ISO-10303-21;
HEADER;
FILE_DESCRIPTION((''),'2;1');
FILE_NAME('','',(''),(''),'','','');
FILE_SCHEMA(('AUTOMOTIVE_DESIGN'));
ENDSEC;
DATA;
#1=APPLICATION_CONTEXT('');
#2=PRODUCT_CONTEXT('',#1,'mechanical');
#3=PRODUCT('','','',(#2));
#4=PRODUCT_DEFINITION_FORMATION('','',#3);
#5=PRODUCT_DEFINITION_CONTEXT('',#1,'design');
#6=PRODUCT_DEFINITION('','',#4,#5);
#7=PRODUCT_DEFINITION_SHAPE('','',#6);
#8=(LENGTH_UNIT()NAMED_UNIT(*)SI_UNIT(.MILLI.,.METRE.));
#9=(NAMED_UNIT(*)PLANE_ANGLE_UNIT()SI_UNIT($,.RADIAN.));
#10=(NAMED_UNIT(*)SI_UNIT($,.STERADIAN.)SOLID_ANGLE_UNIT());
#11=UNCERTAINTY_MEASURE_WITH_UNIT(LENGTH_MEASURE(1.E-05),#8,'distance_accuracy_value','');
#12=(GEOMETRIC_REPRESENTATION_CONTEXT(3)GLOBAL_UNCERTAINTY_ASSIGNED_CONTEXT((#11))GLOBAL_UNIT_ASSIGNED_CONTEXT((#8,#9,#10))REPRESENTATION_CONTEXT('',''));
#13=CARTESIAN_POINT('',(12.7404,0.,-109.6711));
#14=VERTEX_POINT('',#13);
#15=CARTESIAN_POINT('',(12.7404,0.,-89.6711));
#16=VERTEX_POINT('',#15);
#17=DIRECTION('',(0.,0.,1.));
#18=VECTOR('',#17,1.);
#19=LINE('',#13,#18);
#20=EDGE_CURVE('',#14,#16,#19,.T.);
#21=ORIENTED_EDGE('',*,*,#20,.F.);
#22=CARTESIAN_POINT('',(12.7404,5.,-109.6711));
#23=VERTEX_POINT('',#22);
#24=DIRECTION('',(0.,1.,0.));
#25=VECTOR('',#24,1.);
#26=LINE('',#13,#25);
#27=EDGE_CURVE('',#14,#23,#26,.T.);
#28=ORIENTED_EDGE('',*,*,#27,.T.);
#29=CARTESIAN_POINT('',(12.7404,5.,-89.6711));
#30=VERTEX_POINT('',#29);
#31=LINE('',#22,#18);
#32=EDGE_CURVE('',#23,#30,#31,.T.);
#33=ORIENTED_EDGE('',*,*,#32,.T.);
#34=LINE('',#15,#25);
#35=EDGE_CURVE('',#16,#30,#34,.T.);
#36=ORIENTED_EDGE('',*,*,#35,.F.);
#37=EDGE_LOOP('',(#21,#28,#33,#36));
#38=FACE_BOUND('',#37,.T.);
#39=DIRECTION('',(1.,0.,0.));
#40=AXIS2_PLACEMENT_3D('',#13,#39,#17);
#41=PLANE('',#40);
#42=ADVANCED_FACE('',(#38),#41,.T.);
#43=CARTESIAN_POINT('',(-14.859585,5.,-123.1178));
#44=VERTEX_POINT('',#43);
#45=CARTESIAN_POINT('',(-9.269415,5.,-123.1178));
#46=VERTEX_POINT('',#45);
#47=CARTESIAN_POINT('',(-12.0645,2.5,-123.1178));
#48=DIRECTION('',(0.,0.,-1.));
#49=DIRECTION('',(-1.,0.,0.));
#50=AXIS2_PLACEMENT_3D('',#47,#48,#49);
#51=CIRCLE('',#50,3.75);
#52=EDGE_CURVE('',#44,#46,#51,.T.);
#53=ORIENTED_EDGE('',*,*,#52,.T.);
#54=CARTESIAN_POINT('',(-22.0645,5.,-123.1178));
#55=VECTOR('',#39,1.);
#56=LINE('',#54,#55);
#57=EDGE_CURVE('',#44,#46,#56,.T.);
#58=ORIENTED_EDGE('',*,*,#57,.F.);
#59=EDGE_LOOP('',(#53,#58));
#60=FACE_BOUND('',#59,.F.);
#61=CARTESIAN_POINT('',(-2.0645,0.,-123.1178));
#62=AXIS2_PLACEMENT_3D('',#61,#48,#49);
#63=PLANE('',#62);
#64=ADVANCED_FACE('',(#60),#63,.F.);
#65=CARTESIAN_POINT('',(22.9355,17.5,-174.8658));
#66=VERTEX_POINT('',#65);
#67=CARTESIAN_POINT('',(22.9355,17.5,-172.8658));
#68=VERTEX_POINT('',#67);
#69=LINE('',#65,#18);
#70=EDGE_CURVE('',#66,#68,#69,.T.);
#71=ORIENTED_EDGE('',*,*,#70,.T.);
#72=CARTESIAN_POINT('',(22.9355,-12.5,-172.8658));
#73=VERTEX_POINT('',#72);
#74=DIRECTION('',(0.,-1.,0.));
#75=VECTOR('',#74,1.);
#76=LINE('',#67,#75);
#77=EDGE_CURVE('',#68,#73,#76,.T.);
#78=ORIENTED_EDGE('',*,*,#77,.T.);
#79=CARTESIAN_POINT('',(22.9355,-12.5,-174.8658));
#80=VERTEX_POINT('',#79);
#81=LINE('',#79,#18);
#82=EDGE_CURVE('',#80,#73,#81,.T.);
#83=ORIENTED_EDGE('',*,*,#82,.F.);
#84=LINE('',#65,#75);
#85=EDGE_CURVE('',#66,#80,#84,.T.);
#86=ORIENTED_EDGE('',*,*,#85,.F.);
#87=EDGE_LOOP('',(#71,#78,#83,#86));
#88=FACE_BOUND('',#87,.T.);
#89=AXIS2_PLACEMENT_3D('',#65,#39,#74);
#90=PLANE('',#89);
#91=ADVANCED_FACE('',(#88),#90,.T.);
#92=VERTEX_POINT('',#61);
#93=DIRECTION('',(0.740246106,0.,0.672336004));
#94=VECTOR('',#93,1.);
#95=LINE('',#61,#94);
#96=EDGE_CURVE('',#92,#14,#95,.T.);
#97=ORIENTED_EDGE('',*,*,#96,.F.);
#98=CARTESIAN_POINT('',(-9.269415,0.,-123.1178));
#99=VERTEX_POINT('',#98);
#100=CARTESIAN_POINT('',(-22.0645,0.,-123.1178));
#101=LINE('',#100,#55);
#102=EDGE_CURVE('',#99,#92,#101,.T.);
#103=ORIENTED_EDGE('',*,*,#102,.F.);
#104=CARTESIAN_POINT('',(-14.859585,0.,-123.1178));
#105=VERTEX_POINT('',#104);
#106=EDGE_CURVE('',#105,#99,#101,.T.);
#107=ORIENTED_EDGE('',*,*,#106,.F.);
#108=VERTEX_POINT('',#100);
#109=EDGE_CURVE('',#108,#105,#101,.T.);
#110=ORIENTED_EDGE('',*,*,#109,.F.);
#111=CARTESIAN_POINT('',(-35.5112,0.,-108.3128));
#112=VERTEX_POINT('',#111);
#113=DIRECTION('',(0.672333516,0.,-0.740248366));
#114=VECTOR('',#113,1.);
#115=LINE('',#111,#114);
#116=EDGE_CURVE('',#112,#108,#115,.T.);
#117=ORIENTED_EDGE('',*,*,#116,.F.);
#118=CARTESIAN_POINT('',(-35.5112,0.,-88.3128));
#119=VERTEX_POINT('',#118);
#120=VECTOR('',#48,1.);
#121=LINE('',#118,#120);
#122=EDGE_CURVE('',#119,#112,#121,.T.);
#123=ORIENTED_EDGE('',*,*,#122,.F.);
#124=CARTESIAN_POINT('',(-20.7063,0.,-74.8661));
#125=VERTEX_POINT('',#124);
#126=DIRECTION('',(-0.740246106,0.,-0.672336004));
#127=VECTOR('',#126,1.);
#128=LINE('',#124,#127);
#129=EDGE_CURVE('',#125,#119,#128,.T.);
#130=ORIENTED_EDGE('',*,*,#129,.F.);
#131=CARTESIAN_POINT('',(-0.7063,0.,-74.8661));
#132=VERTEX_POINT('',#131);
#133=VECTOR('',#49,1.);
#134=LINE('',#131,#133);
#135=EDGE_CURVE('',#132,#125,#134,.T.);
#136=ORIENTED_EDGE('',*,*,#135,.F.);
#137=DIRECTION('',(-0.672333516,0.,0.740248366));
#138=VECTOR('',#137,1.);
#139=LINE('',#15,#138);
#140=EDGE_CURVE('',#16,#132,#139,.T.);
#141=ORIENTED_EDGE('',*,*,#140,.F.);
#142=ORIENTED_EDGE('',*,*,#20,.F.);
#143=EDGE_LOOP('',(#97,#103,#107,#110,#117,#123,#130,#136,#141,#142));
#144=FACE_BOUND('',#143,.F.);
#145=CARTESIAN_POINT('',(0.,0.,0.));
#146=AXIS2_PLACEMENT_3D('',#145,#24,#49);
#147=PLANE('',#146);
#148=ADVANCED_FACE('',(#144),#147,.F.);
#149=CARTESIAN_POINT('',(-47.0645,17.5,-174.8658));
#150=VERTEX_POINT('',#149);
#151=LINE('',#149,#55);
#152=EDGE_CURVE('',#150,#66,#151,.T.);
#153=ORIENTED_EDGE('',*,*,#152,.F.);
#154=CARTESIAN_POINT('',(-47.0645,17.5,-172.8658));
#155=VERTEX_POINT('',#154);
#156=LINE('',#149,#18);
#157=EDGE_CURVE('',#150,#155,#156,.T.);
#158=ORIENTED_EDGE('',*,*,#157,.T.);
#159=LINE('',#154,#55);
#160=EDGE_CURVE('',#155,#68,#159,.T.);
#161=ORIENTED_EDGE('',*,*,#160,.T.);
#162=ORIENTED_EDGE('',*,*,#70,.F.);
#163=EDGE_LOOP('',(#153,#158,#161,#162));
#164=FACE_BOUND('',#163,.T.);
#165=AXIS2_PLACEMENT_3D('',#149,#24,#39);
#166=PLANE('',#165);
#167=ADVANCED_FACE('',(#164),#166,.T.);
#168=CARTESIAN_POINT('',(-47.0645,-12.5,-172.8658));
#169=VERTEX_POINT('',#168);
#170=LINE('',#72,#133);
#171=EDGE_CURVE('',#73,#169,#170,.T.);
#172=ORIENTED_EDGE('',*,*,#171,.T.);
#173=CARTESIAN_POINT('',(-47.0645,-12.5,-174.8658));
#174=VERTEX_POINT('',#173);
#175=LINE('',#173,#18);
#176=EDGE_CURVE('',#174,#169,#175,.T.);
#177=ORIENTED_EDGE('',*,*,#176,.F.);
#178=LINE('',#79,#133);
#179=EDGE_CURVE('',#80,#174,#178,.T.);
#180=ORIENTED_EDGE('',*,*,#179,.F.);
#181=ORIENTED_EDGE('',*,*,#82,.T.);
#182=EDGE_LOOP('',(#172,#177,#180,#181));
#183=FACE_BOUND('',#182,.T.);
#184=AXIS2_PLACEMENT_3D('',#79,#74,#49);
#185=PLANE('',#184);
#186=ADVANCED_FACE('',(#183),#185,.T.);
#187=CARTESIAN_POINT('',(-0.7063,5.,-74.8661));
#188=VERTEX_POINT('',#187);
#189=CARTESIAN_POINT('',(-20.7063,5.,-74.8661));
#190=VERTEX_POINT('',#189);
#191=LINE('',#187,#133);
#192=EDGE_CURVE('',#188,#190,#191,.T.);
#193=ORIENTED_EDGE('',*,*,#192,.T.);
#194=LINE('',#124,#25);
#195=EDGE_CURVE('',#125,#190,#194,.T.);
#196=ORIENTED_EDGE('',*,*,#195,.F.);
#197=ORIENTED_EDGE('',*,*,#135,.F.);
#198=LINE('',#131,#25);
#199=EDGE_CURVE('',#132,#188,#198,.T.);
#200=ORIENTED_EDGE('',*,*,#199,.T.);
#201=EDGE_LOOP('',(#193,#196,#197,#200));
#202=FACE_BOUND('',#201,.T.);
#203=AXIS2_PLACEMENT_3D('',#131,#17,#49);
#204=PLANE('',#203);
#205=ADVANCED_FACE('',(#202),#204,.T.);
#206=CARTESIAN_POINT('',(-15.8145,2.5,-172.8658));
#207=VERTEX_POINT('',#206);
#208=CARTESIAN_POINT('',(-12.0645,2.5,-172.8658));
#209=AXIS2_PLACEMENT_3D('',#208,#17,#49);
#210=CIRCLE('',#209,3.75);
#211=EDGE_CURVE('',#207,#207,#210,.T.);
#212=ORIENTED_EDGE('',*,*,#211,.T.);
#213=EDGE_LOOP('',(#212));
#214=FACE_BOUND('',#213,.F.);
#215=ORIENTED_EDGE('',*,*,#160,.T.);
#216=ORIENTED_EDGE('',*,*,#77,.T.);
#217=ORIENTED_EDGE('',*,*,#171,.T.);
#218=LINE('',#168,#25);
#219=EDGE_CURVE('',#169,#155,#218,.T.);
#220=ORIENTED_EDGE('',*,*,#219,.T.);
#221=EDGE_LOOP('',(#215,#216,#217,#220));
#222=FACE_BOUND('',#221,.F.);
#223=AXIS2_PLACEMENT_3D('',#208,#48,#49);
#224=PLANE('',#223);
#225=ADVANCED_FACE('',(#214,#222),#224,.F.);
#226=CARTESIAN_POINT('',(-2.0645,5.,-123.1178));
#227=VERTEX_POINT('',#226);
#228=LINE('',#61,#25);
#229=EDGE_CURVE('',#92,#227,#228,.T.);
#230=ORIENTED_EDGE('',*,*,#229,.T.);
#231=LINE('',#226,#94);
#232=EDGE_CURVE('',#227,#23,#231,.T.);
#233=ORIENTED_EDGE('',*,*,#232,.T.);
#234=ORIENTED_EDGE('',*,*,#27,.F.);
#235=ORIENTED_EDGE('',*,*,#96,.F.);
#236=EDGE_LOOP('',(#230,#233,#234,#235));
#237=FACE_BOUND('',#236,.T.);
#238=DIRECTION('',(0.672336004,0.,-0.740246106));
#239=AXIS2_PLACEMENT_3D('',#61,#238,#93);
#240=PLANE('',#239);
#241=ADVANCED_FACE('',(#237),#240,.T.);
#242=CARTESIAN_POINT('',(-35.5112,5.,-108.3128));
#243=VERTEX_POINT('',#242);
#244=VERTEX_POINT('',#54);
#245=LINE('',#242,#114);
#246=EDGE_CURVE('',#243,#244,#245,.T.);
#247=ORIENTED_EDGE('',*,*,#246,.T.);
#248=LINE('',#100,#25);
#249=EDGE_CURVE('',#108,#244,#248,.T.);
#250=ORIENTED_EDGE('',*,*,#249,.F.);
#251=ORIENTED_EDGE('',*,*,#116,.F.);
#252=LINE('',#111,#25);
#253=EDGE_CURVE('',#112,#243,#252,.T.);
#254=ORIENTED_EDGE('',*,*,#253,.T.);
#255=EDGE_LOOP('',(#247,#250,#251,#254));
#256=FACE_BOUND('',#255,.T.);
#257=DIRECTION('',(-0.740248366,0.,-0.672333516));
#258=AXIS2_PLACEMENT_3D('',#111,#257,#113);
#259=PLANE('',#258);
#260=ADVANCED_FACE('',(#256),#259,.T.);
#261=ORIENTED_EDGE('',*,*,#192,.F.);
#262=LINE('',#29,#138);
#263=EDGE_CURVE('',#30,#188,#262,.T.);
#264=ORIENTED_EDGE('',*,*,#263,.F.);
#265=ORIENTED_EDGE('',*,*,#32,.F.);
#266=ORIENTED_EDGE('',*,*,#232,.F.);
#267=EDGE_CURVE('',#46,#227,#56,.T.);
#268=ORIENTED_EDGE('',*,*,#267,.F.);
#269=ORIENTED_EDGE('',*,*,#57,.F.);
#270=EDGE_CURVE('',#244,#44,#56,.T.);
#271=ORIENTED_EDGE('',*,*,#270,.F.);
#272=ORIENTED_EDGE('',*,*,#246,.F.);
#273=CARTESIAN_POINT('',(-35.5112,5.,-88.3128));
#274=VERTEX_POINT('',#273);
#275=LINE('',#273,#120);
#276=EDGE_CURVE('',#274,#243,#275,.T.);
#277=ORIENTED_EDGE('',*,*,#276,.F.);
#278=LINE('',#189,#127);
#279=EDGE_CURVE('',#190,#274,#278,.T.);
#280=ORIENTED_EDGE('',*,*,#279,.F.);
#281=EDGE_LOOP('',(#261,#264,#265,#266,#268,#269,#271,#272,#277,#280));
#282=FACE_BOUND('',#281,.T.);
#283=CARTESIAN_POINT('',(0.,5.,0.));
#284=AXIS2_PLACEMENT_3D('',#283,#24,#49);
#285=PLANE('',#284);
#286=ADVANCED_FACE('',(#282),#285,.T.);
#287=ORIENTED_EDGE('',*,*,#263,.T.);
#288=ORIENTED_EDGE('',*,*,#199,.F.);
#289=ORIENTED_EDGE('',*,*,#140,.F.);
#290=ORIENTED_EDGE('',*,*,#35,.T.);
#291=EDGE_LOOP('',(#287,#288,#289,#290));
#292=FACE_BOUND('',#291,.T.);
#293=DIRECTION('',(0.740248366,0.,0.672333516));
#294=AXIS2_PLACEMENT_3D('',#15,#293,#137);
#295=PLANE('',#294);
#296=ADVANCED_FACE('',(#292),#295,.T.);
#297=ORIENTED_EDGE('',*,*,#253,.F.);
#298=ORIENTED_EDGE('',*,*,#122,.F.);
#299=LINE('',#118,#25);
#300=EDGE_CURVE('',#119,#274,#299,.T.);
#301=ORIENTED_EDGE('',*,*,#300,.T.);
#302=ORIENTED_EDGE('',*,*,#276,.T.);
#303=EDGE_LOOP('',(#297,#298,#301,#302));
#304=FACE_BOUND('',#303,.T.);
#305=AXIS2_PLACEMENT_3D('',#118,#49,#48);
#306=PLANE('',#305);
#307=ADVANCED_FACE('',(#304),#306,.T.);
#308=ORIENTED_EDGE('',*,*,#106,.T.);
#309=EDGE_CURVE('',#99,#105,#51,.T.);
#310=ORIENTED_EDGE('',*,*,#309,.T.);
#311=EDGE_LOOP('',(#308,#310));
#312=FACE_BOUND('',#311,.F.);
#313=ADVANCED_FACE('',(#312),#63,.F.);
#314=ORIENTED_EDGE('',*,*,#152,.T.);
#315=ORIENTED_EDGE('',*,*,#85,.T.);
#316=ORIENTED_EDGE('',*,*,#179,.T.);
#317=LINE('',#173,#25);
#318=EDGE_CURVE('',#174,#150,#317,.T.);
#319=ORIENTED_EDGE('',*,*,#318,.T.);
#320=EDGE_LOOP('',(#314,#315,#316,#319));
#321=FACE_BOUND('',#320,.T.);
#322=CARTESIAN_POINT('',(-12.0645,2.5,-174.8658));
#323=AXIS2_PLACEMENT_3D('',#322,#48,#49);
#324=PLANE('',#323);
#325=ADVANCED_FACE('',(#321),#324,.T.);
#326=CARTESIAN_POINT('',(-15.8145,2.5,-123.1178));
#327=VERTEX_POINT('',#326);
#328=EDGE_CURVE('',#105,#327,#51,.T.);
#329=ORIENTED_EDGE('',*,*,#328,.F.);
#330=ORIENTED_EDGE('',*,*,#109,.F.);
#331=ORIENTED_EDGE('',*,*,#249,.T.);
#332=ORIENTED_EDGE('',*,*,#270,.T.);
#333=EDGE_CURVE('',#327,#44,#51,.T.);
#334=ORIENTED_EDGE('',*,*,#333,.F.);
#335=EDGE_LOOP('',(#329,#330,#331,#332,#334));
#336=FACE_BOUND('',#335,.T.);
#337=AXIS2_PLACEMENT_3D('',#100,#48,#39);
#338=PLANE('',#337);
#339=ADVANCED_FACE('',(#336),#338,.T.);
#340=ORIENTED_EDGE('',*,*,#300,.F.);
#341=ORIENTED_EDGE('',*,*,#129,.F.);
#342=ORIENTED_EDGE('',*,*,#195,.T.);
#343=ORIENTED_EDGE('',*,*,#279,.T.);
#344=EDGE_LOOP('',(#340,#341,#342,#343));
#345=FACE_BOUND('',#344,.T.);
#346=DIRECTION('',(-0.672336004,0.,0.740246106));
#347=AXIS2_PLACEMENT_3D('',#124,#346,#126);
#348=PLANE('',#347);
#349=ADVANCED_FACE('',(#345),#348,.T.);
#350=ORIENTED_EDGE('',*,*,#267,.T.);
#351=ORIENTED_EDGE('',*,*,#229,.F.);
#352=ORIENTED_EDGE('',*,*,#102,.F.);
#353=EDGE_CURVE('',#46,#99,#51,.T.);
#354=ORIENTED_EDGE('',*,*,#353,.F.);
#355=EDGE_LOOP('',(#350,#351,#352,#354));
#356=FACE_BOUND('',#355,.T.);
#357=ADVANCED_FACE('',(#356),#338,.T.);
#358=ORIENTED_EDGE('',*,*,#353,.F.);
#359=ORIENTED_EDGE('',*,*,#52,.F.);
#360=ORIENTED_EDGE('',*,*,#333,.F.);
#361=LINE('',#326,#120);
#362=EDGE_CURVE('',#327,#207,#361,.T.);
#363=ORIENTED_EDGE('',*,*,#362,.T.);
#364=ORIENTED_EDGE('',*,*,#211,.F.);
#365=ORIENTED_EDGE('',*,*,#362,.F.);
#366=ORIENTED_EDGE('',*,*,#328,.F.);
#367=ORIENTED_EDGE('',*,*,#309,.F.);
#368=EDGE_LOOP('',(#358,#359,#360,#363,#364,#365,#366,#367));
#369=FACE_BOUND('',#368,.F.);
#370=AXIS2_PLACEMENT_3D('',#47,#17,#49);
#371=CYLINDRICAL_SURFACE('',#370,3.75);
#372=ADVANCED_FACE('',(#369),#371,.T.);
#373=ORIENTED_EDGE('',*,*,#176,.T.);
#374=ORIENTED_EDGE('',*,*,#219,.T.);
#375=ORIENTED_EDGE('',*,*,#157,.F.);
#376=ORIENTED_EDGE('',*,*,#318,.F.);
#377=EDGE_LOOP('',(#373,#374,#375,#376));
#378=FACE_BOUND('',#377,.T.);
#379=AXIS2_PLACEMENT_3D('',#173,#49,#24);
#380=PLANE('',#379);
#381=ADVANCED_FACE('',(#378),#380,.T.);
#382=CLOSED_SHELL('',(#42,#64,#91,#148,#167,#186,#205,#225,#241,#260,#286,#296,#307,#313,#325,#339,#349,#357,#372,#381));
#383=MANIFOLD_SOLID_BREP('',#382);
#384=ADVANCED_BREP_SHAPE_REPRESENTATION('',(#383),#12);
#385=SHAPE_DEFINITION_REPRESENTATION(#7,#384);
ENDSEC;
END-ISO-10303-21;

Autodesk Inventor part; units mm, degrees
ref_plane "YZ Plane" through (0, 0, 0) normal (1, 0, 0) x (0, 1, 0)
ref_plane "XZ Plane" through (0, 0, 0) normal (0, 1, 0) x (-1, 0, 0)
ref_plane "XY Plane" through (0, 0, 0) normal (0, 0, 1) x (1, 0, 0)
sketch "Skizze1" plane through (0, 0, 0) normal (0, 1, 0) x (-1, 0, 0)
  line L0 (35.5112, -88.3128) -> (35.5112, -108.3128)
  line L1 (35.5112, -108.3128) -> (22.0645, -123.1178)
  line L2 (22.0645, -123.1178) -> (2.0645, -123.1178)
  line L3 (2.0645, -123.1178) -> (-12.7404, -109.6711)
  line L4 (-12.7404, -109.6711) -> (-12.7404, -89.6711)
  line L5 (-12.7404, -89.6711) -> (0.7063, -74.8661)
  line L6 (0.7063, -74.8661) -> (20.7063, -74.8661)
  line L7 (20.7063, -74.8661) -> (35.5112, -88.3128)
  point P0 (0, 0)
  dimension "d0" = 20
  dimension "d1" = 20
  dimension "d2" = 20
  dimension "d3" = 20
  dimension "d4" = 20
  dimension "d5" = 20
  dimension "d6" = 20
  dimension "d7" = 20
extrude "Extrusion1" add sketch "Skizze1" along normal blind 5
sketch "Skizze2" plane through (-2.0645, 0, -123.1178) normal (0, 0, -1) x (-1, 0, 0)
  circle A0 centre (10, 2.5) radius 3.75
  line L0 (0, 5) -> (20, 5) projected
  point P0 (-2.0645, 0)
  dimension "d11" = 7.5
  dimension "d12" = 2.5
extrude "Extrusion2" add sketch "Skizze2" along normal blind 51.748
sketch "Skizze3" plane through (-12.0645, 2.5, -174.8658) normal (0, 0, -1) x (-1, 0, 0)
  line L0 (-35, -15) -> (35, -15)
  line L1 (35, -15) -> (35, 15)
  line L2 (35, 15) -> (-35, 15)
  line L3 (-35, 15) -> (-35, -15)
  arc A0 (-2.7951, 2.5) -> (-2.7951, -2.5) centre (0, 0) ccw projected
  line L4 (-35, -15) -> (35, 15) construction
  line L5 (35, -15) -> (-35, 15) construction
  point P0 (-12.0645, -2.5)
  dimension "d15" = 70
  dimension "d16" = 30
extrude "Extrusion3" add sketch "Skizze3" against normal blind 2
sketch "Skizze4" plane through (0, 5, 0) normal (0, 1, 0) x (1, 0, 0)
  point P0 (0, 0)
properties part number "Stoppschild_klein 10 cm Höhe"
